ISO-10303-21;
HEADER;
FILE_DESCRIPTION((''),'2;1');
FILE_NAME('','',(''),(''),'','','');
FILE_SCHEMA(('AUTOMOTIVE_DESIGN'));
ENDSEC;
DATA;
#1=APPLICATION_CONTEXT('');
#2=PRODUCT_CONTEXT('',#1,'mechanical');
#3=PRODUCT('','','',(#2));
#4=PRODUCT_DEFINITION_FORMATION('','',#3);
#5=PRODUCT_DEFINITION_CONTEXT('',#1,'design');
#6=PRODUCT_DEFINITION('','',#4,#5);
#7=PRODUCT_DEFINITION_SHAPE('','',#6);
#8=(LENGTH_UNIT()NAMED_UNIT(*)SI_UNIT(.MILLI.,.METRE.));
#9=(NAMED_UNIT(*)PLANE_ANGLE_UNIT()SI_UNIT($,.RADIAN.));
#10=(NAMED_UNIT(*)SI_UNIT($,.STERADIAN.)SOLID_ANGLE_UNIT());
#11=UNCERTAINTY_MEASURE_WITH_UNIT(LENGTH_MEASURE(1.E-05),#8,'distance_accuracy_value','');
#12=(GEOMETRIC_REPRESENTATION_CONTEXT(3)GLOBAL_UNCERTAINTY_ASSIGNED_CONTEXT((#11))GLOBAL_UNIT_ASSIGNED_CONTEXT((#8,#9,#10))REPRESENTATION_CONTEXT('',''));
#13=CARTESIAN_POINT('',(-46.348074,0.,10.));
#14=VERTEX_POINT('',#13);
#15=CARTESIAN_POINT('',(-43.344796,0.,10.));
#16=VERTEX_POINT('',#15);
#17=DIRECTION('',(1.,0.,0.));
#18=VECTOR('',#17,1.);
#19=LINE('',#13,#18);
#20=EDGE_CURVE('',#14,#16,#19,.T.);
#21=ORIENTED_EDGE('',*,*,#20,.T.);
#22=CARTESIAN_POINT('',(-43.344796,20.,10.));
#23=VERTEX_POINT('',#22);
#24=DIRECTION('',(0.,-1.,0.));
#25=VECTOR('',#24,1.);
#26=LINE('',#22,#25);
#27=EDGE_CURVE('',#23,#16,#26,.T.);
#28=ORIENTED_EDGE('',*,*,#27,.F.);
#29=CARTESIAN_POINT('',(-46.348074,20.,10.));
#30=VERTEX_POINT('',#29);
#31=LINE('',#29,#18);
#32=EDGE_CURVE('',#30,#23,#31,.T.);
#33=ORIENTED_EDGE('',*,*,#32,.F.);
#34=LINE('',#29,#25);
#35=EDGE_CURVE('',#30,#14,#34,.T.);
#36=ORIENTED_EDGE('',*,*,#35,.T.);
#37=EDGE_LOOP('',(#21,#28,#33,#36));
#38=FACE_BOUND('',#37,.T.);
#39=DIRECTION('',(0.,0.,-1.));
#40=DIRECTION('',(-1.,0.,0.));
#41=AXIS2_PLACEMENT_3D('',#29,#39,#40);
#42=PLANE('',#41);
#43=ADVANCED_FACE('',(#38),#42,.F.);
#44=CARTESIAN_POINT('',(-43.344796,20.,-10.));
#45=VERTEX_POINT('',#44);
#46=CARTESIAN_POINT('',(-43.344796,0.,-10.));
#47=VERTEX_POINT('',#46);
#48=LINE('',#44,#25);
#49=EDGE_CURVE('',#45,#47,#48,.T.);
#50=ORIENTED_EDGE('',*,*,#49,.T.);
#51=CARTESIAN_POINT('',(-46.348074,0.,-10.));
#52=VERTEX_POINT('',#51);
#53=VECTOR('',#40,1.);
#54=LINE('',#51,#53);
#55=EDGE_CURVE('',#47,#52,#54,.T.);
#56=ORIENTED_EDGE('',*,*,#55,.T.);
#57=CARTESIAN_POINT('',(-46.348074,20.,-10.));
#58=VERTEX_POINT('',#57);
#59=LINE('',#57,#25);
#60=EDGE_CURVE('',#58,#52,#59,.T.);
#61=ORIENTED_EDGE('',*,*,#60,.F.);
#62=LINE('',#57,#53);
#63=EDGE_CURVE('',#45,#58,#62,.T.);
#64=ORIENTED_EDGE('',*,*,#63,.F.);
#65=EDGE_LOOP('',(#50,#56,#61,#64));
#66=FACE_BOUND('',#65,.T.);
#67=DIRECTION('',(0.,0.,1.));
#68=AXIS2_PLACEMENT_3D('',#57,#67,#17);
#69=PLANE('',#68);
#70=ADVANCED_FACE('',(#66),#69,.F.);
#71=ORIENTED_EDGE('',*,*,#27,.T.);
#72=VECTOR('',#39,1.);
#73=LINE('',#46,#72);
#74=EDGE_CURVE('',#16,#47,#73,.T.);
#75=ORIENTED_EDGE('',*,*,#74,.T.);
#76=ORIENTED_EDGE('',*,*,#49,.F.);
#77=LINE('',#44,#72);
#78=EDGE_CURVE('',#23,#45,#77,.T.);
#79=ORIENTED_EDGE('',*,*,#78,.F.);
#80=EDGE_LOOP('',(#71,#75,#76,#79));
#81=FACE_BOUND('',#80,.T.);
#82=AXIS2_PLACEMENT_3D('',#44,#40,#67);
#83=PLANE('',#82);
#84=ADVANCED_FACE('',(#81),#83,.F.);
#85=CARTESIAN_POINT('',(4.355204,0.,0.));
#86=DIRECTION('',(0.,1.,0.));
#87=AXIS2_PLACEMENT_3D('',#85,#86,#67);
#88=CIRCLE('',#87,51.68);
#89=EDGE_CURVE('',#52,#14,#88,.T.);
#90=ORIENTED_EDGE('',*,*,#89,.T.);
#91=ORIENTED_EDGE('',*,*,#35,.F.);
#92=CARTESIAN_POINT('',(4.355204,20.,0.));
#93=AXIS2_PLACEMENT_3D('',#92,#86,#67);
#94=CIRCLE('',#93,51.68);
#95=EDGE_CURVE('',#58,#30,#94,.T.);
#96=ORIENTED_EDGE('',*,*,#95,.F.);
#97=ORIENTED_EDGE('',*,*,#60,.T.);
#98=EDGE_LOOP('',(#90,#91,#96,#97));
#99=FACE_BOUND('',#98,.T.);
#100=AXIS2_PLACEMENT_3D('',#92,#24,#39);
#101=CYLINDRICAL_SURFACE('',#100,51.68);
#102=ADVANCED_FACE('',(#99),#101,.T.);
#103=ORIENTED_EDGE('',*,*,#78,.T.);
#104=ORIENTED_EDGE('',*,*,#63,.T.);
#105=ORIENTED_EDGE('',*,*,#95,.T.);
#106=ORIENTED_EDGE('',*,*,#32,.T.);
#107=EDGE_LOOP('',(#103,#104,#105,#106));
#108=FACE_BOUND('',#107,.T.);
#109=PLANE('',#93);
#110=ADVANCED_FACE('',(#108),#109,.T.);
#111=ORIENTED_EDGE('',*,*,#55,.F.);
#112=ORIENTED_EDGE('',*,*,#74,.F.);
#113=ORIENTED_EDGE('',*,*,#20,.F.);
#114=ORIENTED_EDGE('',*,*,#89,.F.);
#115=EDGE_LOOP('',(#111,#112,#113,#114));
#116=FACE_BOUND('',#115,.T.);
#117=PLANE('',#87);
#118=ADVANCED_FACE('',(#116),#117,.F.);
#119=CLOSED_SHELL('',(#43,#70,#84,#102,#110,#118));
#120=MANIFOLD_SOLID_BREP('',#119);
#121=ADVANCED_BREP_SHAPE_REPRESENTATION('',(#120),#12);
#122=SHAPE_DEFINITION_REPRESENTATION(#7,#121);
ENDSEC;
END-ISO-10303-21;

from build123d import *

# Parameters (mm, degrees)
EXTRUDE_1_DEPTH = 20


with BuildPart() as part:
    # 草图1 → 凸台-拉伸1 (new body)
    with BuildSketch(Plane(origin=(0, 0, 0), x_dir=(1, 0, 0), z_dir=(0, 1, 0))):
        with BuildLine():
            Line((-46.348073666, 10), (-43.344795665, 10))
            Line((-43.344795665, 10), (-43.344795665, -10))
            Line((-43.344795665, -10), (-46.348073666, -10))
            ThreePointArc((-46.348073666, -10), (-47.324795665, 0), (-46.348073666, 10))
        make_face()
    extrude(amount=EXTRUDE_1_DEPTH)


solid = part.part
